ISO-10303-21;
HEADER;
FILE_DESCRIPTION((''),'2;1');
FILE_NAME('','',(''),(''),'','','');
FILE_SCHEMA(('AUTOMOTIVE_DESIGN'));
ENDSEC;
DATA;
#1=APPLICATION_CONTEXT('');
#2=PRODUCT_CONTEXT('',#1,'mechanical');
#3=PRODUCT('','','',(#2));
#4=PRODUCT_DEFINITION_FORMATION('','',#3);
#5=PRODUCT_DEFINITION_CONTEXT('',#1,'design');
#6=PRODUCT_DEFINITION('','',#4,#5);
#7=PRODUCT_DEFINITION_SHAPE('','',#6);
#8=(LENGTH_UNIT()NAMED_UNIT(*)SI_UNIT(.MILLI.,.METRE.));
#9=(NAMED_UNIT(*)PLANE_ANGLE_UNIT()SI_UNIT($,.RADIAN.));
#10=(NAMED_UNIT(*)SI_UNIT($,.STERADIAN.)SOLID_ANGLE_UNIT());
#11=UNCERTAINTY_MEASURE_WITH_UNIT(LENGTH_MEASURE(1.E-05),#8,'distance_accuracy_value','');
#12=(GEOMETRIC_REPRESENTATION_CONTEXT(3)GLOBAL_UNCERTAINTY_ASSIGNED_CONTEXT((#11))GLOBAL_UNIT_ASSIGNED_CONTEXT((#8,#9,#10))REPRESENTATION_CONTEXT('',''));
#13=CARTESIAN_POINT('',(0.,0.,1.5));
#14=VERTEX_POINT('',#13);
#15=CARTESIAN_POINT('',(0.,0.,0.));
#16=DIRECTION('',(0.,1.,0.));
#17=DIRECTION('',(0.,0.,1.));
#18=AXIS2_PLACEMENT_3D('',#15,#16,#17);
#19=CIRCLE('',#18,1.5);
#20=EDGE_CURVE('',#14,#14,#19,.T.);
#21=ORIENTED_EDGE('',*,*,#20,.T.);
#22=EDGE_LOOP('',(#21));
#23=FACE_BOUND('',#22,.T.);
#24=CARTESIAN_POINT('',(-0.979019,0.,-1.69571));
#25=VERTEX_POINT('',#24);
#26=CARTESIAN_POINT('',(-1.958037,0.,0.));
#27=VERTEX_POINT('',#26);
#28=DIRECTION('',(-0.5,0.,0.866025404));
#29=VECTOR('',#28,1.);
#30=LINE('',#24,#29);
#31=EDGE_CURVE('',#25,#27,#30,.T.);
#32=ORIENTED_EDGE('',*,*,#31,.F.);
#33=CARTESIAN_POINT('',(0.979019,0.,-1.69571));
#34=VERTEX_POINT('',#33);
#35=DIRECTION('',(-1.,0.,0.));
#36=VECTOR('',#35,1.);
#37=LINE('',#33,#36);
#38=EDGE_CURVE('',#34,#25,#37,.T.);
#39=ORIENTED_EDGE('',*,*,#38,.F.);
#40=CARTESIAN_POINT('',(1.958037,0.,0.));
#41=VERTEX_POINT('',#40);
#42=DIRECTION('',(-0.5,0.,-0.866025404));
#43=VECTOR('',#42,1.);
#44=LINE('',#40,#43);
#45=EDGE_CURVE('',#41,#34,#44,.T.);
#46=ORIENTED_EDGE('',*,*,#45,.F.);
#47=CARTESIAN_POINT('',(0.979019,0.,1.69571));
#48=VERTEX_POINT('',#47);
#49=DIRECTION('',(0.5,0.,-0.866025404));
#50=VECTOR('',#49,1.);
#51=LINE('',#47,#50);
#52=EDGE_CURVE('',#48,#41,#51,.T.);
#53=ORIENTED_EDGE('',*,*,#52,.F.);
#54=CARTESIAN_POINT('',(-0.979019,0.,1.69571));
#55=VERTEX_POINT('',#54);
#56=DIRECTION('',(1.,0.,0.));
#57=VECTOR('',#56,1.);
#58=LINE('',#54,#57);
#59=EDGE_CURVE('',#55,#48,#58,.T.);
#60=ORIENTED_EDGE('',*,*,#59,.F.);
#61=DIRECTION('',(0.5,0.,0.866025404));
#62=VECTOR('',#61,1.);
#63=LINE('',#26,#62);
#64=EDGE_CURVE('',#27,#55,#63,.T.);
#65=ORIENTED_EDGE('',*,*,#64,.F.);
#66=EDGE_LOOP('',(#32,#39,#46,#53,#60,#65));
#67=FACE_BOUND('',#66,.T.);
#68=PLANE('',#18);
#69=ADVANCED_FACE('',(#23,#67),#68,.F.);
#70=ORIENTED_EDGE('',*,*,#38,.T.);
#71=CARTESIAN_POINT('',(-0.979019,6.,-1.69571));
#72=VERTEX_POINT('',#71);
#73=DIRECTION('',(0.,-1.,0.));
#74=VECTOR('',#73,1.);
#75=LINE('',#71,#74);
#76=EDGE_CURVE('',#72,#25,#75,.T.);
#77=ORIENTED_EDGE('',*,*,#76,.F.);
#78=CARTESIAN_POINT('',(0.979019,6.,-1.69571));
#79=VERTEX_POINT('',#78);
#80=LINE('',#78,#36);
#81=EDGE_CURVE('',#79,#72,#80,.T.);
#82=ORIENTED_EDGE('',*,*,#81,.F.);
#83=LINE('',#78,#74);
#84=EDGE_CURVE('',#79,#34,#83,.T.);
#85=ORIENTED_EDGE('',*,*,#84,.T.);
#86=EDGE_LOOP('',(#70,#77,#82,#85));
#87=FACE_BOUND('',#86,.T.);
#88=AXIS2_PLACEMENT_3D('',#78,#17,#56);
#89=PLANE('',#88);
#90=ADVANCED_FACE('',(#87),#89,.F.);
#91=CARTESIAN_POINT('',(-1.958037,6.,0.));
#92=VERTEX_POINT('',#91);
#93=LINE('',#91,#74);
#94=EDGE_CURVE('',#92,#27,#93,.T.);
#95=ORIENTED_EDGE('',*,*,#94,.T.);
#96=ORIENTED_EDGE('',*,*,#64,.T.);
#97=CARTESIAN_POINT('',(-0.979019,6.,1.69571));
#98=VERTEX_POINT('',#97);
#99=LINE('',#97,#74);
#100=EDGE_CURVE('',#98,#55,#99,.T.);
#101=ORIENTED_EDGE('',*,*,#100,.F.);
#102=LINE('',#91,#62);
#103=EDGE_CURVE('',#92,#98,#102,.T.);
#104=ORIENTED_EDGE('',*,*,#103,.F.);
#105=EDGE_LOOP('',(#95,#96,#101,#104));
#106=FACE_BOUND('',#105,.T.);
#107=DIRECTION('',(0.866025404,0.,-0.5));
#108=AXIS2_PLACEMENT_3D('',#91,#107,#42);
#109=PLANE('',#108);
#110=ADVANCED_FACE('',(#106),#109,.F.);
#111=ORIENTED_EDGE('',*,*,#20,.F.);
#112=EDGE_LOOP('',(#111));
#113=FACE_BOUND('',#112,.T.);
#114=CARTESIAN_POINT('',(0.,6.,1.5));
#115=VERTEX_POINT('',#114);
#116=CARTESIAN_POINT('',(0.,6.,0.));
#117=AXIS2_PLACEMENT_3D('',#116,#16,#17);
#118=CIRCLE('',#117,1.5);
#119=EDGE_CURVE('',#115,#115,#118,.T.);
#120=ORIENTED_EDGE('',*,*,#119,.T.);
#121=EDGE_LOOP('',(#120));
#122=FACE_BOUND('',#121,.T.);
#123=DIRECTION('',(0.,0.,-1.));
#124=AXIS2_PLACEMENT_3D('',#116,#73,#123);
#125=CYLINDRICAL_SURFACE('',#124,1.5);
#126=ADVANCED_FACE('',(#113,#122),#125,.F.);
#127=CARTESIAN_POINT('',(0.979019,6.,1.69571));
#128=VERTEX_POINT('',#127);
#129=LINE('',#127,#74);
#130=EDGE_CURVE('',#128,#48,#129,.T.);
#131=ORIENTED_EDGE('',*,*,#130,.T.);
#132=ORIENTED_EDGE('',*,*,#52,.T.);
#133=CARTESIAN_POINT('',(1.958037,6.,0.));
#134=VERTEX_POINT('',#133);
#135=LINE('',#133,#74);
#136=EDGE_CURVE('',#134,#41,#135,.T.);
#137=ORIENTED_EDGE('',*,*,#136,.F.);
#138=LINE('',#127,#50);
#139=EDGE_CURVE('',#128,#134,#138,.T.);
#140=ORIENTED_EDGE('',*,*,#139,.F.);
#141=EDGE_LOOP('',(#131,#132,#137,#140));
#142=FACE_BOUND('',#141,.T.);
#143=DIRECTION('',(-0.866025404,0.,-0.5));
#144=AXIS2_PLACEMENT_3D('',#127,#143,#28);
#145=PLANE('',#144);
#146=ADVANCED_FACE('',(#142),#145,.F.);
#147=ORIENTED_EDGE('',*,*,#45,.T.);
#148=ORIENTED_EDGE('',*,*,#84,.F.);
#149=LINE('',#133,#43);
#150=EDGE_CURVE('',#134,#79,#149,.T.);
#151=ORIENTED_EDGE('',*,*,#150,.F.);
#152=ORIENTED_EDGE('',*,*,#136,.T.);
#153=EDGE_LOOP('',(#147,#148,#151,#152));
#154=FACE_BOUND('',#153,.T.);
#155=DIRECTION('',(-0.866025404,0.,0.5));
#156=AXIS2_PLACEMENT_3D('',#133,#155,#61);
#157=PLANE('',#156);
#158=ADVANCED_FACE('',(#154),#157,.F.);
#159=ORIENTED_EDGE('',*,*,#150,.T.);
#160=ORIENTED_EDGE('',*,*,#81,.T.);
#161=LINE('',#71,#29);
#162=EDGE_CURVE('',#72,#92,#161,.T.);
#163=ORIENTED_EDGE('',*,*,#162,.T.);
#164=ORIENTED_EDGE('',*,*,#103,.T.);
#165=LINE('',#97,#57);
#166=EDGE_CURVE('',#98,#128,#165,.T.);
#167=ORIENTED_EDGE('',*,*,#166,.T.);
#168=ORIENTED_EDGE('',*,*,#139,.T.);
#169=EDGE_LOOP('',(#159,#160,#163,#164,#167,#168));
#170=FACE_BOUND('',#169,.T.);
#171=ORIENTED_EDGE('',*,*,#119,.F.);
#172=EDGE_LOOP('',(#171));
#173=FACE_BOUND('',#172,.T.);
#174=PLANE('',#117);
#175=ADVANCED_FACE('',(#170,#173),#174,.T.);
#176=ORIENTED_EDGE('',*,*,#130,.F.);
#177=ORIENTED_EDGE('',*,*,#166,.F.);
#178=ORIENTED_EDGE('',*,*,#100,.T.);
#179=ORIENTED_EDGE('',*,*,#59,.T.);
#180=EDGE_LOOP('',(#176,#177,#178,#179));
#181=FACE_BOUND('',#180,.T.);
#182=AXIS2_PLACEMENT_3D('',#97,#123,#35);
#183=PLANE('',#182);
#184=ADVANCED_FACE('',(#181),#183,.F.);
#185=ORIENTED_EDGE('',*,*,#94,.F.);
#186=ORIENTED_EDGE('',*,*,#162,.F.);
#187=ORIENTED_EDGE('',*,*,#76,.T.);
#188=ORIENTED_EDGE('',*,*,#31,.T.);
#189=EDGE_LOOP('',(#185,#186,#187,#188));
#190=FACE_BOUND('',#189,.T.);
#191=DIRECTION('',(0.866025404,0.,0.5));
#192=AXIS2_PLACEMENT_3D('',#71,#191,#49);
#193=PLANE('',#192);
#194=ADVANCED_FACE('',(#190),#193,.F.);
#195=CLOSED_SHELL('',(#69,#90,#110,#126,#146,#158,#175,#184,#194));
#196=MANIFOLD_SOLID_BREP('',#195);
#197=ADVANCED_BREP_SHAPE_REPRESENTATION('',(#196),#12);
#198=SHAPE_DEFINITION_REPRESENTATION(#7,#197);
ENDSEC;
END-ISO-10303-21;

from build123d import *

# Parameters (mm, degrees)
SKETCH1_R           = 1.5
BOSS_EXTRUDE1_DEPTH = 6


with BuildPart() as part:
    # Sketch1 → Boss-Extrude1 (new body)
    with BuildSketch(Plane(origin=(0, 0, 0), x_dir=(1, 0, 0), z_dir=(0, 1, 0))):
        Polygon((0.979018569, -1.695709904), (1.958037139, 0), (0.979018569, 1.695709904), (-0.979018569, 1.695709904), (-1.958037139, 0), (-0.979018569, -1.695709904), align=None)
        with Locations(Location((0, 0, 0), (0, 0, 270))):
            Circle(SKETCH1_R, mode=Mode.SUBTRACT)
    extrude(amount=BOSS_EXTRUDE1_DEPTH)


solid = part.part
